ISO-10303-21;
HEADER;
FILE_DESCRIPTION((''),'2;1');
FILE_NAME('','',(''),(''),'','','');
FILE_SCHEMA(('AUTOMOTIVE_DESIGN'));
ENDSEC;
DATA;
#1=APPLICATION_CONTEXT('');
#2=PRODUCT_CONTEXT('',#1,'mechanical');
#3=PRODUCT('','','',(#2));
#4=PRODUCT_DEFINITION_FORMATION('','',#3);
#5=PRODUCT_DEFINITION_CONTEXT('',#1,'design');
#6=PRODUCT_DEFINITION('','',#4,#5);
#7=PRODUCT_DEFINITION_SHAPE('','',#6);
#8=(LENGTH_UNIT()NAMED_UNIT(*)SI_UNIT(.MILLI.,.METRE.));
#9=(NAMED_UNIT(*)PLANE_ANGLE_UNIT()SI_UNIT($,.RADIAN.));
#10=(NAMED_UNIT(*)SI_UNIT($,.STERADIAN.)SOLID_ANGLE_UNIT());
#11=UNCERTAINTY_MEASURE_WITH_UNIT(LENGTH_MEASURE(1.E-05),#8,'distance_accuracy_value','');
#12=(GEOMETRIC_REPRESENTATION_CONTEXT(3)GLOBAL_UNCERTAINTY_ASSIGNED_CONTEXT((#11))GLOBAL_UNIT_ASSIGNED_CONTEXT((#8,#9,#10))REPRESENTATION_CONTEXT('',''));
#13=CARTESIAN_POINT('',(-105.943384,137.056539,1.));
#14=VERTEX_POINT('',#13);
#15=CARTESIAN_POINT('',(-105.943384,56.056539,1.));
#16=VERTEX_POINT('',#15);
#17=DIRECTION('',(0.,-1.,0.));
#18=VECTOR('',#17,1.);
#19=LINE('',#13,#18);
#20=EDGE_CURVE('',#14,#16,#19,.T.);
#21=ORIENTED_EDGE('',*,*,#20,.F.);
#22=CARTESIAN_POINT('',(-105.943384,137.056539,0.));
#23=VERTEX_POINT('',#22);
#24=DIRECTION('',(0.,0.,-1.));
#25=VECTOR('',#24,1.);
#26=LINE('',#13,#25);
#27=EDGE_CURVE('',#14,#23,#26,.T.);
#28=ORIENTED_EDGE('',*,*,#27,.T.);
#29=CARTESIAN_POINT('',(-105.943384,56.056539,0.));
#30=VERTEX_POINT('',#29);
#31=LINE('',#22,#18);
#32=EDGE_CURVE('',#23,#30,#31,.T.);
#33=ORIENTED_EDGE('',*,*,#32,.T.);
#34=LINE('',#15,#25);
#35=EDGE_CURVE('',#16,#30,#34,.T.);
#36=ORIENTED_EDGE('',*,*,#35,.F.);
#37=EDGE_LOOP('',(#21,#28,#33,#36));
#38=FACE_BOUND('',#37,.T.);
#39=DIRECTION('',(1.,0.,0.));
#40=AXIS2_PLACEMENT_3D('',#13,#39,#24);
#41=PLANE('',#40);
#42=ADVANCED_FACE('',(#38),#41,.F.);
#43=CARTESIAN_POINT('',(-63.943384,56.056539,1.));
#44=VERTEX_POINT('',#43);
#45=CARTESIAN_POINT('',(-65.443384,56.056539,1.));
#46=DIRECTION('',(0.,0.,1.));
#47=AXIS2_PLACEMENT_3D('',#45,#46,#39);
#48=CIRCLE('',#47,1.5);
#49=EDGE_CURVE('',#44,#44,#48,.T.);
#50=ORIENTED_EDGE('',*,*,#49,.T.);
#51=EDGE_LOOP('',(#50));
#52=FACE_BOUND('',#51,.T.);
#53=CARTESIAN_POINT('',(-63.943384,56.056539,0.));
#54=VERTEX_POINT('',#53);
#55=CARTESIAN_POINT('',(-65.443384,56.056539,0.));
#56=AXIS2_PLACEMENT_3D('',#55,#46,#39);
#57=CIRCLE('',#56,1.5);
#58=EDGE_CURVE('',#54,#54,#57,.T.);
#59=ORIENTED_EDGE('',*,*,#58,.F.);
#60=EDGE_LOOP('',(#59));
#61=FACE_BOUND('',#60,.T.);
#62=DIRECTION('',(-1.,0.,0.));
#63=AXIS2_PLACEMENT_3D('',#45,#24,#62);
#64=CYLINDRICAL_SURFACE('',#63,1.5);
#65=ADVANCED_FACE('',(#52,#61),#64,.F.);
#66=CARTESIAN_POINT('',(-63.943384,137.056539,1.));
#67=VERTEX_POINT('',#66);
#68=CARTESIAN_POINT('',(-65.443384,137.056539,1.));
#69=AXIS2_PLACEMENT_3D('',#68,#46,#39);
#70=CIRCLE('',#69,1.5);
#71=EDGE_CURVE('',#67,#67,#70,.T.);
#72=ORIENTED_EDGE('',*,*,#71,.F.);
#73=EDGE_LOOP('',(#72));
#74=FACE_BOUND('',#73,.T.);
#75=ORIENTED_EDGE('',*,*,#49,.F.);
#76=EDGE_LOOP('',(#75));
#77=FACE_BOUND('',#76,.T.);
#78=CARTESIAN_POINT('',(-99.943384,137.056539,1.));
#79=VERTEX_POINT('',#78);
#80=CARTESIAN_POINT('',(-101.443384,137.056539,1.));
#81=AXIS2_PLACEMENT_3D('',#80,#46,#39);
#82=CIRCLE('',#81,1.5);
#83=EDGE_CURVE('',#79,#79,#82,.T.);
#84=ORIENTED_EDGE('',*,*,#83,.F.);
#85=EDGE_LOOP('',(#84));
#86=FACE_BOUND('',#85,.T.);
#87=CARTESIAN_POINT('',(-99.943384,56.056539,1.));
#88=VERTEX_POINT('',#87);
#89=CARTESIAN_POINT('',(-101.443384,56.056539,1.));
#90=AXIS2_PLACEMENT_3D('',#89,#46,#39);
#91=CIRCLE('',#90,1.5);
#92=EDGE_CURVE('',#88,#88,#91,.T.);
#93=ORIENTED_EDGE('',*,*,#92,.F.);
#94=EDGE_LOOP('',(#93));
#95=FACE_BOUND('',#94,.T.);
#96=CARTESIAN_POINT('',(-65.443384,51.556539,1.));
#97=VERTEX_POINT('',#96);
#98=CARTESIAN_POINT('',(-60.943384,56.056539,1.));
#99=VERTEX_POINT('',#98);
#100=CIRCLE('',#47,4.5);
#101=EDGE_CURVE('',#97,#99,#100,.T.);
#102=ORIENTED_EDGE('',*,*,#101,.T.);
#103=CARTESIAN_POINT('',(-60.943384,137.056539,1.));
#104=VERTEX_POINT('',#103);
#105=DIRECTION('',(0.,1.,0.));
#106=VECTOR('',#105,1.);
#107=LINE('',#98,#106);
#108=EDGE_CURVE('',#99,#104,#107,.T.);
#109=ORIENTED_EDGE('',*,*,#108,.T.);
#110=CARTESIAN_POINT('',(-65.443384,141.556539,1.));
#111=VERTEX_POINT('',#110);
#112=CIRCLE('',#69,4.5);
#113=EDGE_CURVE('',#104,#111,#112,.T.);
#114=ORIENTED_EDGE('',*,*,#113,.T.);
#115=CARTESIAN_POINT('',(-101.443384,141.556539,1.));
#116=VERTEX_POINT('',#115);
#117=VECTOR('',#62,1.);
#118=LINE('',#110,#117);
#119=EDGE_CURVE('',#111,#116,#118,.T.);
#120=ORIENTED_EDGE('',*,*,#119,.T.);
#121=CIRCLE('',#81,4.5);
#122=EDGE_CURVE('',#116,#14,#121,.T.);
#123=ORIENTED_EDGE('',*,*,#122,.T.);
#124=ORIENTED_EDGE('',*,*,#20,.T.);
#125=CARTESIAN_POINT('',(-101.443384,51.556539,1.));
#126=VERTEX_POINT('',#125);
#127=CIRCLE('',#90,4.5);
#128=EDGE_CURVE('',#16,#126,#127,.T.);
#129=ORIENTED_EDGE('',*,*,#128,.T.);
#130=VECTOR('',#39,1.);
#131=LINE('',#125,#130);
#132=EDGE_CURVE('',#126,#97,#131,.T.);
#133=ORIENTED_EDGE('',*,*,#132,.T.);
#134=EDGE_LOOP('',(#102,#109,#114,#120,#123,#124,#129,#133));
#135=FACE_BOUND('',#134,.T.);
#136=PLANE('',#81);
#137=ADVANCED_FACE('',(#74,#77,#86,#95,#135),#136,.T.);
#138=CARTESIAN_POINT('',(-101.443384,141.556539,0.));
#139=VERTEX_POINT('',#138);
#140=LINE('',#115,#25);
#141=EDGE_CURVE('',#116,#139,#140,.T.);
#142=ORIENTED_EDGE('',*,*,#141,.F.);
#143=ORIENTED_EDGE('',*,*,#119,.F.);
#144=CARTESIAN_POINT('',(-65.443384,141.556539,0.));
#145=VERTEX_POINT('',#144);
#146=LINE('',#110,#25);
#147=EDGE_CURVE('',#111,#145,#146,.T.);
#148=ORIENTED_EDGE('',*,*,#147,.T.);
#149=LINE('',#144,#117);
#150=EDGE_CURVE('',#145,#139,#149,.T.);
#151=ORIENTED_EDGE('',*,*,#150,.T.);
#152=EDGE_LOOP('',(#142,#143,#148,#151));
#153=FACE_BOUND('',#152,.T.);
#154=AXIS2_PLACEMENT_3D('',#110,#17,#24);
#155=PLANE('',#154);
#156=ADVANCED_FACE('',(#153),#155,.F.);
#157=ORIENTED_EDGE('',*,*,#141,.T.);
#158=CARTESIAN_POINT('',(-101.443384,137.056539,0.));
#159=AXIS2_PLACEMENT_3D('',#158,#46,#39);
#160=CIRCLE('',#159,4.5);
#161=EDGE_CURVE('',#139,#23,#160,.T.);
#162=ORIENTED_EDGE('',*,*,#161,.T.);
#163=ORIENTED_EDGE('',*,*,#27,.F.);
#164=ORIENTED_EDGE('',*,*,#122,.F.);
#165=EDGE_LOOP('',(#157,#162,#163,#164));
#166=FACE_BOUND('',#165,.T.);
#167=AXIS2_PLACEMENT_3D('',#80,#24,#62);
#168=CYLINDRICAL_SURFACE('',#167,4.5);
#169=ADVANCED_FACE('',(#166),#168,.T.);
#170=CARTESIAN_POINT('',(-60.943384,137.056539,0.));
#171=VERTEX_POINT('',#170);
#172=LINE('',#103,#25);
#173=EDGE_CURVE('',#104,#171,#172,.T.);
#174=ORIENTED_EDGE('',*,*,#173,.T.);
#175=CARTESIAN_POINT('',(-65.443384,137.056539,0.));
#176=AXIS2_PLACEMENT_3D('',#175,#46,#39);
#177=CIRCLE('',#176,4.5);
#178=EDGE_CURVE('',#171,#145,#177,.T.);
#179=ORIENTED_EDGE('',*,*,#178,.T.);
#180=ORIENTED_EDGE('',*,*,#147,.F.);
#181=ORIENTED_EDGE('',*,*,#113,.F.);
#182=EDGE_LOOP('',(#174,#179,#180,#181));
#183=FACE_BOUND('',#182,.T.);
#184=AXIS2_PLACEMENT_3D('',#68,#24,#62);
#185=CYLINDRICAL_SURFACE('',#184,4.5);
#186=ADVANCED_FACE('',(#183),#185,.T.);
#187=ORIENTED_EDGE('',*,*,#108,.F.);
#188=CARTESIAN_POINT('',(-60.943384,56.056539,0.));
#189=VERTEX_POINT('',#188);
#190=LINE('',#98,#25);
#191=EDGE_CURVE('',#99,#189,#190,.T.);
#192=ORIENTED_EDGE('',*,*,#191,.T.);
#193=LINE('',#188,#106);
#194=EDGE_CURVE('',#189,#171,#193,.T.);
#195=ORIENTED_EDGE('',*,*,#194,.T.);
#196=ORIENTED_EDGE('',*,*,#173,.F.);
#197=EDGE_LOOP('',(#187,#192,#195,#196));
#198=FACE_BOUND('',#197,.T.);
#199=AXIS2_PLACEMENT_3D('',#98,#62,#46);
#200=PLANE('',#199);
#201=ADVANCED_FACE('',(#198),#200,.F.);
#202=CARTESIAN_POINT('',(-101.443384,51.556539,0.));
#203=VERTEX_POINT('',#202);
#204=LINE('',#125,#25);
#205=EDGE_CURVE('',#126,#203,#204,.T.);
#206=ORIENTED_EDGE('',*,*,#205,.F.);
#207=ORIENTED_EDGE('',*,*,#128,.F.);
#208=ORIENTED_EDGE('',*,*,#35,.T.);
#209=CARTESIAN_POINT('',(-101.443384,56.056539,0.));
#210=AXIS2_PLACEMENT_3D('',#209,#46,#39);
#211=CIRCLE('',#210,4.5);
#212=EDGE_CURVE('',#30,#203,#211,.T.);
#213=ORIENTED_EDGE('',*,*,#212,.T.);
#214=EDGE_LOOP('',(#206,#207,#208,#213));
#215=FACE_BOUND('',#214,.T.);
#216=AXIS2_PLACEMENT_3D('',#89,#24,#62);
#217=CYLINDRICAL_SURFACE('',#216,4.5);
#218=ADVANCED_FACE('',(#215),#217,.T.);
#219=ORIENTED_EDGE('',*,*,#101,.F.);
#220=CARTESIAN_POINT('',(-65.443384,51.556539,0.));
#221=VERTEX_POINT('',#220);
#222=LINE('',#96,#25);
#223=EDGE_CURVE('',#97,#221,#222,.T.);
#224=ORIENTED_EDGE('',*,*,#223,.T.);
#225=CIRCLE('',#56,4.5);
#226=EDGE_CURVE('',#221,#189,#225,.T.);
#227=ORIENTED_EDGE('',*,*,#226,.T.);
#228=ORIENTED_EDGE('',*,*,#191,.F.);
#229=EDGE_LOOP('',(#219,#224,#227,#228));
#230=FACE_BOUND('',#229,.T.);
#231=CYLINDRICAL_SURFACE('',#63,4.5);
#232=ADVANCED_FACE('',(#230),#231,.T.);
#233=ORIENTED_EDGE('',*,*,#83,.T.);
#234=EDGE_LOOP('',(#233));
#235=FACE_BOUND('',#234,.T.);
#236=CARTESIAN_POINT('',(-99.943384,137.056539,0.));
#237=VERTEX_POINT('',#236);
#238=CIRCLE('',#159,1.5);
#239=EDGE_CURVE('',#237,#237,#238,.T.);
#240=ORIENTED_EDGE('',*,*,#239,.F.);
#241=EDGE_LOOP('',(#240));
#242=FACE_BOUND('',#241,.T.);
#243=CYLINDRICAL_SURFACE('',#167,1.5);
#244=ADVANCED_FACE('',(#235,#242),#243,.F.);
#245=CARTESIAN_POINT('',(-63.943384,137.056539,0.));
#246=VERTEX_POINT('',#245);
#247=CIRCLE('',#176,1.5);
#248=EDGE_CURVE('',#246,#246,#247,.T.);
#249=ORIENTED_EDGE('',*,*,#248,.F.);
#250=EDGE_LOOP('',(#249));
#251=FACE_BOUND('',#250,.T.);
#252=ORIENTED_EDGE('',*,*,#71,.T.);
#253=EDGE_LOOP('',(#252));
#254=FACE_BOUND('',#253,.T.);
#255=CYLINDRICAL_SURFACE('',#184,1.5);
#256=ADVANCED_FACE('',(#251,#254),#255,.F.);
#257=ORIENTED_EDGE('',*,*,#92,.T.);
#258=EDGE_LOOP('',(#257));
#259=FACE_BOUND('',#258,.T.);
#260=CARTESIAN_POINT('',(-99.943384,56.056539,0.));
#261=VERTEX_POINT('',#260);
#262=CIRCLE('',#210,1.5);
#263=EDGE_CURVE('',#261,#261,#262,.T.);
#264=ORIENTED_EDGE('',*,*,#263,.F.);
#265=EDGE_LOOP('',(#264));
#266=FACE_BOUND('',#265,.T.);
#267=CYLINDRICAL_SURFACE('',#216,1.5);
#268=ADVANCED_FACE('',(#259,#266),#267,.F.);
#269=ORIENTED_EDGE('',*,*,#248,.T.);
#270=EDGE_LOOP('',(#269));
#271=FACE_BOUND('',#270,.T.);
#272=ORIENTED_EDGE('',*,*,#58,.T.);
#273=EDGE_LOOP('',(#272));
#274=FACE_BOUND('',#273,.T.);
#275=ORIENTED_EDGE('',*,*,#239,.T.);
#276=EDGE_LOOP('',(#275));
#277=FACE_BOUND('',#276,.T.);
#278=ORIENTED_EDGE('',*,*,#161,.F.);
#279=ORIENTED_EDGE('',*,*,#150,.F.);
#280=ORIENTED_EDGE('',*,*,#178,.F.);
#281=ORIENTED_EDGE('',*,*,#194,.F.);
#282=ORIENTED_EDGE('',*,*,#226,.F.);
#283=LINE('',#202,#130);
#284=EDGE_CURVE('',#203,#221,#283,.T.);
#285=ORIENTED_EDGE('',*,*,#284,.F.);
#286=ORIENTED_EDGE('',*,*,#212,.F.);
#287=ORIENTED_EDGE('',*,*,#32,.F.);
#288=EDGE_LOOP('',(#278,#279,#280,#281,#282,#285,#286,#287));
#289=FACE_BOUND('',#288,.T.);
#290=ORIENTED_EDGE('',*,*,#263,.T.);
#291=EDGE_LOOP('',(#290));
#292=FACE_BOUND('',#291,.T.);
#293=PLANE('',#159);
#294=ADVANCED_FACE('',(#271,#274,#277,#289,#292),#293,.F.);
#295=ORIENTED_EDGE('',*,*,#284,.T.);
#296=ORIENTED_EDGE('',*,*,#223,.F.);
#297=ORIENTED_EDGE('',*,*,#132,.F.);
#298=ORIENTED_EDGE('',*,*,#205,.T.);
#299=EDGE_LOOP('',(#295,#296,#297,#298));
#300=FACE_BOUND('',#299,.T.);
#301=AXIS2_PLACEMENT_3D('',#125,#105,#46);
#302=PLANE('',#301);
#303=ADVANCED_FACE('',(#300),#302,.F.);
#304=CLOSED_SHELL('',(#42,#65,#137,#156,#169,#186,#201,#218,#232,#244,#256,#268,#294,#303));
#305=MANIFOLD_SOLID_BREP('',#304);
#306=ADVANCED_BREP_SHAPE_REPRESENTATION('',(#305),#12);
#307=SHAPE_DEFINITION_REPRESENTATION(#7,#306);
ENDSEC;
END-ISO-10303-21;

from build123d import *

# Parameters (mm, degrees)
MODEL_R                 = 1.5
SALIENTE_EXTRUIR1_DEPTH = 1


with BuildPart() as part:
    # Model → Saliente-Extruir1 (new body)
    with BuildSketch(Plane.XY):
        with BuildLine():
            Line((-105.943383637, 137.056539338), (-105.943383637, 56.056539338))
            ThreePointArc((-105.943383637, 56.056539338), (-104.625364152, 52.874558823), (-101.443383637, 51.556539338))
            Line((-101.443383637, 51.556539338), (-65.443383637, 51.556539338))
            ThreePointArc((-65.443383637, 51.556539338), (-62.261403122, 52.874558823), (-60.943383637, 56.056539338))
            Line((-60.943383637, 56.056539338), (-60.943383637, 137.056539338))
            ThreePointArc((-60.943383637, 137.056539338), (-62.261403122, 140.238519853), (-65.443383637, 141.556539338))
            Line((-65.443383637, 141.556539338), (-101.443383637, 141.556539338))
            ThreePointArc((-101.443383637, 141.556539338), (-104.625364152, 140.238519853), (-105.943383637, 137.056539338))
        make_face()
        with Locations((-101.443383637, 137.056539338)):
            Circle(MODEL_R, mode=Mode.SUBTRACT)
        with Locations((-65.443383637, 137.056539338)):
            Circle(MODEL_R, mode=Mode.SUBTRACT)
        with Locations((-101.443383637, 56.056539338)):
            Circle(MODEL_R, mode=Mode.SUBTRACT)
        with Locations((-65.443383637, 56.056539338)):
            Circle(MODEL_R, mode=Mode.SUBTRACT)
    extrude(amount=SALIENTE_EXTRUIR1_DEPTH)


solid = part.part
